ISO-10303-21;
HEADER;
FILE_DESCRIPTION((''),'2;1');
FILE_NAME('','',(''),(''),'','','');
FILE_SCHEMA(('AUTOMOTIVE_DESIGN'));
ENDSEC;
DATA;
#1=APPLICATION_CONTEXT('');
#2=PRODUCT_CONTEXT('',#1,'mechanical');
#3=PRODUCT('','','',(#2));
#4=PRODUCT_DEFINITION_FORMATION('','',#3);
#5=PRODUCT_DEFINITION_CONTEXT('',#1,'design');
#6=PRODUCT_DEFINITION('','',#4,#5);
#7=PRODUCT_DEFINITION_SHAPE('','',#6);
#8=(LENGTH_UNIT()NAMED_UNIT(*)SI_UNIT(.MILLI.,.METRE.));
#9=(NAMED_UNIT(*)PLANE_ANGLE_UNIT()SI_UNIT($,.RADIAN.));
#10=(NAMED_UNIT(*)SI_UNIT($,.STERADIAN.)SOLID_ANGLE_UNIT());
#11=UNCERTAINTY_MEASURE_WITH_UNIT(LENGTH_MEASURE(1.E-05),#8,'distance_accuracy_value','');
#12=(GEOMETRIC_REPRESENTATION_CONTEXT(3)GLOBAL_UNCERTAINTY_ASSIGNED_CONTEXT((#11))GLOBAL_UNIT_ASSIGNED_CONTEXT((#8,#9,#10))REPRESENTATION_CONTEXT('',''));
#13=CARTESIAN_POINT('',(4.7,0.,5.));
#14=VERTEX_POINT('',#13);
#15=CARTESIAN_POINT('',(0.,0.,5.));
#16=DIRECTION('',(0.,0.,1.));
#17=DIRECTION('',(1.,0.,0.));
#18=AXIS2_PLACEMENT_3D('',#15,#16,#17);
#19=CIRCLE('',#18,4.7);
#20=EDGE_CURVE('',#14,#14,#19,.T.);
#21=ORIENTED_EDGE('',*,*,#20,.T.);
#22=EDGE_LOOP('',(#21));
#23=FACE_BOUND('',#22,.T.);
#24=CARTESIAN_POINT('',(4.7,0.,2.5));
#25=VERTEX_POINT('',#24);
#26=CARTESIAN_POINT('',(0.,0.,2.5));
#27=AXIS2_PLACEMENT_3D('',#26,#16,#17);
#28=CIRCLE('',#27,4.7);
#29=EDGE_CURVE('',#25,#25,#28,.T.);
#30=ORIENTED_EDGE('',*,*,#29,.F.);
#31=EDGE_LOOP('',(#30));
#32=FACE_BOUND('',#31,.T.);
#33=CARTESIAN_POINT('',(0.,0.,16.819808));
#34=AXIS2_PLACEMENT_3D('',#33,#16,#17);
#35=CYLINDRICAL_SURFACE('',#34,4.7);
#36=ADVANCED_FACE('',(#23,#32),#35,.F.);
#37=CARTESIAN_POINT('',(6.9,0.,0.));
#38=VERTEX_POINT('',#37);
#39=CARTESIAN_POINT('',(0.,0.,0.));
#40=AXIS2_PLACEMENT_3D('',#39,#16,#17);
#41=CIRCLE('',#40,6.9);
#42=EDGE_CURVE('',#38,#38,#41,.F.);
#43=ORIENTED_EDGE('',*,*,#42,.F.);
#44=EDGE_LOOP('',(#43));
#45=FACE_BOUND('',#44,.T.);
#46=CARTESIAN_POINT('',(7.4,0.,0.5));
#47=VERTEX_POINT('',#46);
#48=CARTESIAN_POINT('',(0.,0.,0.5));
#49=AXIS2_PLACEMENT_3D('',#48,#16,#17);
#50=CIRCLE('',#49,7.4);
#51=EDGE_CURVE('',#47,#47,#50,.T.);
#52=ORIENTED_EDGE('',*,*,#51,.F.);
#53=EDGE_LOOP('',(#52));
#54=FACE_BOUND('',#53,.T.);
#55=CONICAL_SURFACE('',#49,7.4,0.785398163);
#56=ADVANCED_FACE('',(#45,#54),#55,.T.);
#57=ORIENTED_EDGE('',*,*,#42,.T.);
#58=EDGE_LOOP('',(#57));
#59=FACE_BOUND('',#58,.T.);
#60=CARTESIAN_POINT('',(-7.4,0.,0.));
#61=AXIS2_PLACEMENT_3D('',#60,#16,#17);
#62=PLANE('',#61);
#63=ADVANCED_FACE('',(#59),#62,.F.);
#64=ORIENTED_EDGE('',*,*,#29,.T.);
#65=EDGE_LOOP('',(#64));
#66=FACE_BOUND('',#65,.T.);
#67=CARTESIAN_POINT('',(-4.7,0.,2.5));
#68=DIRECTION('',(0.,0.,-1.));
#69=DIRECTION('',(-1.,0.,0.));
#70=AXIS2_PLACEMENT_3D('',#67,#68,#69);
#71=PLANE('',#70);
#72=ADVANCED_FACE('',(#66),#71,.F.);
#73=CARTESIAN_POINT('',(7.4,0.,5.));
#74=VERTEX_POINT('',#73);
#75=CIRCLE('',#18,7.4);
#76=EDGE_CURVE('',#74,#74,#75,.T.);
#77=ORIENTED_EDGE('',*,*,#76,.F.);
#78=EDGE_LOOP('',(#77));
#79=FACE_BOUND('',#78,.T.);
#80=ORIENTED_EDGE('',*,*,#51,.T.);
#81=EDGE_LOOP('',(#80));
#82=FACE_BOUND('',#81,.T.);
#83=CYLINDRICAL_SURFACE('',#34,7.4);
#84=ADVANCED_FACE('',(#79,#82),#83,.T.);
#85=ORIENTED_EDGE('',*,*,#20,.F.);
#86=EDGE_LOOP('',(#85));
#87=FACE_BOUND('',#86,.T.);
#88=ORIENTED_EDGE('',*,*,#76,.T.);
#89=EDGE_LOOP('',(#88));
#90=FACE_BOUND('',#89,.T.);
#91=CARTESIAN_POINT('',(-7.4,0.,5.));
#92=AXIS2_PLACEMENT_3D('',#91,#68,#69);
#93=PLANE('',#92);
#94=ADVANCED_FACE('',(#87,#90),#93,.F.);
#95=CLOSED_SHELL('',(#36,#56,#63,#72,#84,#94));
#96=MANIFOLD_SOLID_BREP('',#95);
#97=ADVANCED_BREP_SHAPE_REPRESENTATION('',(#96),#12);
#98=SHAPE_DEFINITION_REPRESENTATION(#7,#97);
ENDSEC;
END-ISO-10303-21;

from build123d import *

# Parameters (mm, degrees)
CHAMFER1_SIZE = 0.5


with BuildPart() as part:
    # Sketch1 → Revolve1 (revolve)
    with BuildSketch(Plane(origin=(0, 0, 0), x_dir=(1, 0, 0), z_dir=(0, 1, 0)), mode=Mode.PRIVATE) as revolve1_sk:
        Polygon((-7.4, -5), (-4.7, -5), (-4.7, -2.5), (0, -2.5), (0, 0), (-7.4, 0), align=None)
    revolve(revolve1_sk.sketch.rotate(Axis((0, 0, 16.819807692), (0, 0, -1)), 180), axis=Axis((0, 0, 16.819807692), (0, 0, -1)))

    # Chamfer1
    chamfer1_edges = [part.edges().sort_by_distance(p)[0] for p in [
        (-7.4, 0, 0),
    ]]
    chamfer(chamfer1_edges, length=CHAMFER1_SIZE)


solid = part.part
